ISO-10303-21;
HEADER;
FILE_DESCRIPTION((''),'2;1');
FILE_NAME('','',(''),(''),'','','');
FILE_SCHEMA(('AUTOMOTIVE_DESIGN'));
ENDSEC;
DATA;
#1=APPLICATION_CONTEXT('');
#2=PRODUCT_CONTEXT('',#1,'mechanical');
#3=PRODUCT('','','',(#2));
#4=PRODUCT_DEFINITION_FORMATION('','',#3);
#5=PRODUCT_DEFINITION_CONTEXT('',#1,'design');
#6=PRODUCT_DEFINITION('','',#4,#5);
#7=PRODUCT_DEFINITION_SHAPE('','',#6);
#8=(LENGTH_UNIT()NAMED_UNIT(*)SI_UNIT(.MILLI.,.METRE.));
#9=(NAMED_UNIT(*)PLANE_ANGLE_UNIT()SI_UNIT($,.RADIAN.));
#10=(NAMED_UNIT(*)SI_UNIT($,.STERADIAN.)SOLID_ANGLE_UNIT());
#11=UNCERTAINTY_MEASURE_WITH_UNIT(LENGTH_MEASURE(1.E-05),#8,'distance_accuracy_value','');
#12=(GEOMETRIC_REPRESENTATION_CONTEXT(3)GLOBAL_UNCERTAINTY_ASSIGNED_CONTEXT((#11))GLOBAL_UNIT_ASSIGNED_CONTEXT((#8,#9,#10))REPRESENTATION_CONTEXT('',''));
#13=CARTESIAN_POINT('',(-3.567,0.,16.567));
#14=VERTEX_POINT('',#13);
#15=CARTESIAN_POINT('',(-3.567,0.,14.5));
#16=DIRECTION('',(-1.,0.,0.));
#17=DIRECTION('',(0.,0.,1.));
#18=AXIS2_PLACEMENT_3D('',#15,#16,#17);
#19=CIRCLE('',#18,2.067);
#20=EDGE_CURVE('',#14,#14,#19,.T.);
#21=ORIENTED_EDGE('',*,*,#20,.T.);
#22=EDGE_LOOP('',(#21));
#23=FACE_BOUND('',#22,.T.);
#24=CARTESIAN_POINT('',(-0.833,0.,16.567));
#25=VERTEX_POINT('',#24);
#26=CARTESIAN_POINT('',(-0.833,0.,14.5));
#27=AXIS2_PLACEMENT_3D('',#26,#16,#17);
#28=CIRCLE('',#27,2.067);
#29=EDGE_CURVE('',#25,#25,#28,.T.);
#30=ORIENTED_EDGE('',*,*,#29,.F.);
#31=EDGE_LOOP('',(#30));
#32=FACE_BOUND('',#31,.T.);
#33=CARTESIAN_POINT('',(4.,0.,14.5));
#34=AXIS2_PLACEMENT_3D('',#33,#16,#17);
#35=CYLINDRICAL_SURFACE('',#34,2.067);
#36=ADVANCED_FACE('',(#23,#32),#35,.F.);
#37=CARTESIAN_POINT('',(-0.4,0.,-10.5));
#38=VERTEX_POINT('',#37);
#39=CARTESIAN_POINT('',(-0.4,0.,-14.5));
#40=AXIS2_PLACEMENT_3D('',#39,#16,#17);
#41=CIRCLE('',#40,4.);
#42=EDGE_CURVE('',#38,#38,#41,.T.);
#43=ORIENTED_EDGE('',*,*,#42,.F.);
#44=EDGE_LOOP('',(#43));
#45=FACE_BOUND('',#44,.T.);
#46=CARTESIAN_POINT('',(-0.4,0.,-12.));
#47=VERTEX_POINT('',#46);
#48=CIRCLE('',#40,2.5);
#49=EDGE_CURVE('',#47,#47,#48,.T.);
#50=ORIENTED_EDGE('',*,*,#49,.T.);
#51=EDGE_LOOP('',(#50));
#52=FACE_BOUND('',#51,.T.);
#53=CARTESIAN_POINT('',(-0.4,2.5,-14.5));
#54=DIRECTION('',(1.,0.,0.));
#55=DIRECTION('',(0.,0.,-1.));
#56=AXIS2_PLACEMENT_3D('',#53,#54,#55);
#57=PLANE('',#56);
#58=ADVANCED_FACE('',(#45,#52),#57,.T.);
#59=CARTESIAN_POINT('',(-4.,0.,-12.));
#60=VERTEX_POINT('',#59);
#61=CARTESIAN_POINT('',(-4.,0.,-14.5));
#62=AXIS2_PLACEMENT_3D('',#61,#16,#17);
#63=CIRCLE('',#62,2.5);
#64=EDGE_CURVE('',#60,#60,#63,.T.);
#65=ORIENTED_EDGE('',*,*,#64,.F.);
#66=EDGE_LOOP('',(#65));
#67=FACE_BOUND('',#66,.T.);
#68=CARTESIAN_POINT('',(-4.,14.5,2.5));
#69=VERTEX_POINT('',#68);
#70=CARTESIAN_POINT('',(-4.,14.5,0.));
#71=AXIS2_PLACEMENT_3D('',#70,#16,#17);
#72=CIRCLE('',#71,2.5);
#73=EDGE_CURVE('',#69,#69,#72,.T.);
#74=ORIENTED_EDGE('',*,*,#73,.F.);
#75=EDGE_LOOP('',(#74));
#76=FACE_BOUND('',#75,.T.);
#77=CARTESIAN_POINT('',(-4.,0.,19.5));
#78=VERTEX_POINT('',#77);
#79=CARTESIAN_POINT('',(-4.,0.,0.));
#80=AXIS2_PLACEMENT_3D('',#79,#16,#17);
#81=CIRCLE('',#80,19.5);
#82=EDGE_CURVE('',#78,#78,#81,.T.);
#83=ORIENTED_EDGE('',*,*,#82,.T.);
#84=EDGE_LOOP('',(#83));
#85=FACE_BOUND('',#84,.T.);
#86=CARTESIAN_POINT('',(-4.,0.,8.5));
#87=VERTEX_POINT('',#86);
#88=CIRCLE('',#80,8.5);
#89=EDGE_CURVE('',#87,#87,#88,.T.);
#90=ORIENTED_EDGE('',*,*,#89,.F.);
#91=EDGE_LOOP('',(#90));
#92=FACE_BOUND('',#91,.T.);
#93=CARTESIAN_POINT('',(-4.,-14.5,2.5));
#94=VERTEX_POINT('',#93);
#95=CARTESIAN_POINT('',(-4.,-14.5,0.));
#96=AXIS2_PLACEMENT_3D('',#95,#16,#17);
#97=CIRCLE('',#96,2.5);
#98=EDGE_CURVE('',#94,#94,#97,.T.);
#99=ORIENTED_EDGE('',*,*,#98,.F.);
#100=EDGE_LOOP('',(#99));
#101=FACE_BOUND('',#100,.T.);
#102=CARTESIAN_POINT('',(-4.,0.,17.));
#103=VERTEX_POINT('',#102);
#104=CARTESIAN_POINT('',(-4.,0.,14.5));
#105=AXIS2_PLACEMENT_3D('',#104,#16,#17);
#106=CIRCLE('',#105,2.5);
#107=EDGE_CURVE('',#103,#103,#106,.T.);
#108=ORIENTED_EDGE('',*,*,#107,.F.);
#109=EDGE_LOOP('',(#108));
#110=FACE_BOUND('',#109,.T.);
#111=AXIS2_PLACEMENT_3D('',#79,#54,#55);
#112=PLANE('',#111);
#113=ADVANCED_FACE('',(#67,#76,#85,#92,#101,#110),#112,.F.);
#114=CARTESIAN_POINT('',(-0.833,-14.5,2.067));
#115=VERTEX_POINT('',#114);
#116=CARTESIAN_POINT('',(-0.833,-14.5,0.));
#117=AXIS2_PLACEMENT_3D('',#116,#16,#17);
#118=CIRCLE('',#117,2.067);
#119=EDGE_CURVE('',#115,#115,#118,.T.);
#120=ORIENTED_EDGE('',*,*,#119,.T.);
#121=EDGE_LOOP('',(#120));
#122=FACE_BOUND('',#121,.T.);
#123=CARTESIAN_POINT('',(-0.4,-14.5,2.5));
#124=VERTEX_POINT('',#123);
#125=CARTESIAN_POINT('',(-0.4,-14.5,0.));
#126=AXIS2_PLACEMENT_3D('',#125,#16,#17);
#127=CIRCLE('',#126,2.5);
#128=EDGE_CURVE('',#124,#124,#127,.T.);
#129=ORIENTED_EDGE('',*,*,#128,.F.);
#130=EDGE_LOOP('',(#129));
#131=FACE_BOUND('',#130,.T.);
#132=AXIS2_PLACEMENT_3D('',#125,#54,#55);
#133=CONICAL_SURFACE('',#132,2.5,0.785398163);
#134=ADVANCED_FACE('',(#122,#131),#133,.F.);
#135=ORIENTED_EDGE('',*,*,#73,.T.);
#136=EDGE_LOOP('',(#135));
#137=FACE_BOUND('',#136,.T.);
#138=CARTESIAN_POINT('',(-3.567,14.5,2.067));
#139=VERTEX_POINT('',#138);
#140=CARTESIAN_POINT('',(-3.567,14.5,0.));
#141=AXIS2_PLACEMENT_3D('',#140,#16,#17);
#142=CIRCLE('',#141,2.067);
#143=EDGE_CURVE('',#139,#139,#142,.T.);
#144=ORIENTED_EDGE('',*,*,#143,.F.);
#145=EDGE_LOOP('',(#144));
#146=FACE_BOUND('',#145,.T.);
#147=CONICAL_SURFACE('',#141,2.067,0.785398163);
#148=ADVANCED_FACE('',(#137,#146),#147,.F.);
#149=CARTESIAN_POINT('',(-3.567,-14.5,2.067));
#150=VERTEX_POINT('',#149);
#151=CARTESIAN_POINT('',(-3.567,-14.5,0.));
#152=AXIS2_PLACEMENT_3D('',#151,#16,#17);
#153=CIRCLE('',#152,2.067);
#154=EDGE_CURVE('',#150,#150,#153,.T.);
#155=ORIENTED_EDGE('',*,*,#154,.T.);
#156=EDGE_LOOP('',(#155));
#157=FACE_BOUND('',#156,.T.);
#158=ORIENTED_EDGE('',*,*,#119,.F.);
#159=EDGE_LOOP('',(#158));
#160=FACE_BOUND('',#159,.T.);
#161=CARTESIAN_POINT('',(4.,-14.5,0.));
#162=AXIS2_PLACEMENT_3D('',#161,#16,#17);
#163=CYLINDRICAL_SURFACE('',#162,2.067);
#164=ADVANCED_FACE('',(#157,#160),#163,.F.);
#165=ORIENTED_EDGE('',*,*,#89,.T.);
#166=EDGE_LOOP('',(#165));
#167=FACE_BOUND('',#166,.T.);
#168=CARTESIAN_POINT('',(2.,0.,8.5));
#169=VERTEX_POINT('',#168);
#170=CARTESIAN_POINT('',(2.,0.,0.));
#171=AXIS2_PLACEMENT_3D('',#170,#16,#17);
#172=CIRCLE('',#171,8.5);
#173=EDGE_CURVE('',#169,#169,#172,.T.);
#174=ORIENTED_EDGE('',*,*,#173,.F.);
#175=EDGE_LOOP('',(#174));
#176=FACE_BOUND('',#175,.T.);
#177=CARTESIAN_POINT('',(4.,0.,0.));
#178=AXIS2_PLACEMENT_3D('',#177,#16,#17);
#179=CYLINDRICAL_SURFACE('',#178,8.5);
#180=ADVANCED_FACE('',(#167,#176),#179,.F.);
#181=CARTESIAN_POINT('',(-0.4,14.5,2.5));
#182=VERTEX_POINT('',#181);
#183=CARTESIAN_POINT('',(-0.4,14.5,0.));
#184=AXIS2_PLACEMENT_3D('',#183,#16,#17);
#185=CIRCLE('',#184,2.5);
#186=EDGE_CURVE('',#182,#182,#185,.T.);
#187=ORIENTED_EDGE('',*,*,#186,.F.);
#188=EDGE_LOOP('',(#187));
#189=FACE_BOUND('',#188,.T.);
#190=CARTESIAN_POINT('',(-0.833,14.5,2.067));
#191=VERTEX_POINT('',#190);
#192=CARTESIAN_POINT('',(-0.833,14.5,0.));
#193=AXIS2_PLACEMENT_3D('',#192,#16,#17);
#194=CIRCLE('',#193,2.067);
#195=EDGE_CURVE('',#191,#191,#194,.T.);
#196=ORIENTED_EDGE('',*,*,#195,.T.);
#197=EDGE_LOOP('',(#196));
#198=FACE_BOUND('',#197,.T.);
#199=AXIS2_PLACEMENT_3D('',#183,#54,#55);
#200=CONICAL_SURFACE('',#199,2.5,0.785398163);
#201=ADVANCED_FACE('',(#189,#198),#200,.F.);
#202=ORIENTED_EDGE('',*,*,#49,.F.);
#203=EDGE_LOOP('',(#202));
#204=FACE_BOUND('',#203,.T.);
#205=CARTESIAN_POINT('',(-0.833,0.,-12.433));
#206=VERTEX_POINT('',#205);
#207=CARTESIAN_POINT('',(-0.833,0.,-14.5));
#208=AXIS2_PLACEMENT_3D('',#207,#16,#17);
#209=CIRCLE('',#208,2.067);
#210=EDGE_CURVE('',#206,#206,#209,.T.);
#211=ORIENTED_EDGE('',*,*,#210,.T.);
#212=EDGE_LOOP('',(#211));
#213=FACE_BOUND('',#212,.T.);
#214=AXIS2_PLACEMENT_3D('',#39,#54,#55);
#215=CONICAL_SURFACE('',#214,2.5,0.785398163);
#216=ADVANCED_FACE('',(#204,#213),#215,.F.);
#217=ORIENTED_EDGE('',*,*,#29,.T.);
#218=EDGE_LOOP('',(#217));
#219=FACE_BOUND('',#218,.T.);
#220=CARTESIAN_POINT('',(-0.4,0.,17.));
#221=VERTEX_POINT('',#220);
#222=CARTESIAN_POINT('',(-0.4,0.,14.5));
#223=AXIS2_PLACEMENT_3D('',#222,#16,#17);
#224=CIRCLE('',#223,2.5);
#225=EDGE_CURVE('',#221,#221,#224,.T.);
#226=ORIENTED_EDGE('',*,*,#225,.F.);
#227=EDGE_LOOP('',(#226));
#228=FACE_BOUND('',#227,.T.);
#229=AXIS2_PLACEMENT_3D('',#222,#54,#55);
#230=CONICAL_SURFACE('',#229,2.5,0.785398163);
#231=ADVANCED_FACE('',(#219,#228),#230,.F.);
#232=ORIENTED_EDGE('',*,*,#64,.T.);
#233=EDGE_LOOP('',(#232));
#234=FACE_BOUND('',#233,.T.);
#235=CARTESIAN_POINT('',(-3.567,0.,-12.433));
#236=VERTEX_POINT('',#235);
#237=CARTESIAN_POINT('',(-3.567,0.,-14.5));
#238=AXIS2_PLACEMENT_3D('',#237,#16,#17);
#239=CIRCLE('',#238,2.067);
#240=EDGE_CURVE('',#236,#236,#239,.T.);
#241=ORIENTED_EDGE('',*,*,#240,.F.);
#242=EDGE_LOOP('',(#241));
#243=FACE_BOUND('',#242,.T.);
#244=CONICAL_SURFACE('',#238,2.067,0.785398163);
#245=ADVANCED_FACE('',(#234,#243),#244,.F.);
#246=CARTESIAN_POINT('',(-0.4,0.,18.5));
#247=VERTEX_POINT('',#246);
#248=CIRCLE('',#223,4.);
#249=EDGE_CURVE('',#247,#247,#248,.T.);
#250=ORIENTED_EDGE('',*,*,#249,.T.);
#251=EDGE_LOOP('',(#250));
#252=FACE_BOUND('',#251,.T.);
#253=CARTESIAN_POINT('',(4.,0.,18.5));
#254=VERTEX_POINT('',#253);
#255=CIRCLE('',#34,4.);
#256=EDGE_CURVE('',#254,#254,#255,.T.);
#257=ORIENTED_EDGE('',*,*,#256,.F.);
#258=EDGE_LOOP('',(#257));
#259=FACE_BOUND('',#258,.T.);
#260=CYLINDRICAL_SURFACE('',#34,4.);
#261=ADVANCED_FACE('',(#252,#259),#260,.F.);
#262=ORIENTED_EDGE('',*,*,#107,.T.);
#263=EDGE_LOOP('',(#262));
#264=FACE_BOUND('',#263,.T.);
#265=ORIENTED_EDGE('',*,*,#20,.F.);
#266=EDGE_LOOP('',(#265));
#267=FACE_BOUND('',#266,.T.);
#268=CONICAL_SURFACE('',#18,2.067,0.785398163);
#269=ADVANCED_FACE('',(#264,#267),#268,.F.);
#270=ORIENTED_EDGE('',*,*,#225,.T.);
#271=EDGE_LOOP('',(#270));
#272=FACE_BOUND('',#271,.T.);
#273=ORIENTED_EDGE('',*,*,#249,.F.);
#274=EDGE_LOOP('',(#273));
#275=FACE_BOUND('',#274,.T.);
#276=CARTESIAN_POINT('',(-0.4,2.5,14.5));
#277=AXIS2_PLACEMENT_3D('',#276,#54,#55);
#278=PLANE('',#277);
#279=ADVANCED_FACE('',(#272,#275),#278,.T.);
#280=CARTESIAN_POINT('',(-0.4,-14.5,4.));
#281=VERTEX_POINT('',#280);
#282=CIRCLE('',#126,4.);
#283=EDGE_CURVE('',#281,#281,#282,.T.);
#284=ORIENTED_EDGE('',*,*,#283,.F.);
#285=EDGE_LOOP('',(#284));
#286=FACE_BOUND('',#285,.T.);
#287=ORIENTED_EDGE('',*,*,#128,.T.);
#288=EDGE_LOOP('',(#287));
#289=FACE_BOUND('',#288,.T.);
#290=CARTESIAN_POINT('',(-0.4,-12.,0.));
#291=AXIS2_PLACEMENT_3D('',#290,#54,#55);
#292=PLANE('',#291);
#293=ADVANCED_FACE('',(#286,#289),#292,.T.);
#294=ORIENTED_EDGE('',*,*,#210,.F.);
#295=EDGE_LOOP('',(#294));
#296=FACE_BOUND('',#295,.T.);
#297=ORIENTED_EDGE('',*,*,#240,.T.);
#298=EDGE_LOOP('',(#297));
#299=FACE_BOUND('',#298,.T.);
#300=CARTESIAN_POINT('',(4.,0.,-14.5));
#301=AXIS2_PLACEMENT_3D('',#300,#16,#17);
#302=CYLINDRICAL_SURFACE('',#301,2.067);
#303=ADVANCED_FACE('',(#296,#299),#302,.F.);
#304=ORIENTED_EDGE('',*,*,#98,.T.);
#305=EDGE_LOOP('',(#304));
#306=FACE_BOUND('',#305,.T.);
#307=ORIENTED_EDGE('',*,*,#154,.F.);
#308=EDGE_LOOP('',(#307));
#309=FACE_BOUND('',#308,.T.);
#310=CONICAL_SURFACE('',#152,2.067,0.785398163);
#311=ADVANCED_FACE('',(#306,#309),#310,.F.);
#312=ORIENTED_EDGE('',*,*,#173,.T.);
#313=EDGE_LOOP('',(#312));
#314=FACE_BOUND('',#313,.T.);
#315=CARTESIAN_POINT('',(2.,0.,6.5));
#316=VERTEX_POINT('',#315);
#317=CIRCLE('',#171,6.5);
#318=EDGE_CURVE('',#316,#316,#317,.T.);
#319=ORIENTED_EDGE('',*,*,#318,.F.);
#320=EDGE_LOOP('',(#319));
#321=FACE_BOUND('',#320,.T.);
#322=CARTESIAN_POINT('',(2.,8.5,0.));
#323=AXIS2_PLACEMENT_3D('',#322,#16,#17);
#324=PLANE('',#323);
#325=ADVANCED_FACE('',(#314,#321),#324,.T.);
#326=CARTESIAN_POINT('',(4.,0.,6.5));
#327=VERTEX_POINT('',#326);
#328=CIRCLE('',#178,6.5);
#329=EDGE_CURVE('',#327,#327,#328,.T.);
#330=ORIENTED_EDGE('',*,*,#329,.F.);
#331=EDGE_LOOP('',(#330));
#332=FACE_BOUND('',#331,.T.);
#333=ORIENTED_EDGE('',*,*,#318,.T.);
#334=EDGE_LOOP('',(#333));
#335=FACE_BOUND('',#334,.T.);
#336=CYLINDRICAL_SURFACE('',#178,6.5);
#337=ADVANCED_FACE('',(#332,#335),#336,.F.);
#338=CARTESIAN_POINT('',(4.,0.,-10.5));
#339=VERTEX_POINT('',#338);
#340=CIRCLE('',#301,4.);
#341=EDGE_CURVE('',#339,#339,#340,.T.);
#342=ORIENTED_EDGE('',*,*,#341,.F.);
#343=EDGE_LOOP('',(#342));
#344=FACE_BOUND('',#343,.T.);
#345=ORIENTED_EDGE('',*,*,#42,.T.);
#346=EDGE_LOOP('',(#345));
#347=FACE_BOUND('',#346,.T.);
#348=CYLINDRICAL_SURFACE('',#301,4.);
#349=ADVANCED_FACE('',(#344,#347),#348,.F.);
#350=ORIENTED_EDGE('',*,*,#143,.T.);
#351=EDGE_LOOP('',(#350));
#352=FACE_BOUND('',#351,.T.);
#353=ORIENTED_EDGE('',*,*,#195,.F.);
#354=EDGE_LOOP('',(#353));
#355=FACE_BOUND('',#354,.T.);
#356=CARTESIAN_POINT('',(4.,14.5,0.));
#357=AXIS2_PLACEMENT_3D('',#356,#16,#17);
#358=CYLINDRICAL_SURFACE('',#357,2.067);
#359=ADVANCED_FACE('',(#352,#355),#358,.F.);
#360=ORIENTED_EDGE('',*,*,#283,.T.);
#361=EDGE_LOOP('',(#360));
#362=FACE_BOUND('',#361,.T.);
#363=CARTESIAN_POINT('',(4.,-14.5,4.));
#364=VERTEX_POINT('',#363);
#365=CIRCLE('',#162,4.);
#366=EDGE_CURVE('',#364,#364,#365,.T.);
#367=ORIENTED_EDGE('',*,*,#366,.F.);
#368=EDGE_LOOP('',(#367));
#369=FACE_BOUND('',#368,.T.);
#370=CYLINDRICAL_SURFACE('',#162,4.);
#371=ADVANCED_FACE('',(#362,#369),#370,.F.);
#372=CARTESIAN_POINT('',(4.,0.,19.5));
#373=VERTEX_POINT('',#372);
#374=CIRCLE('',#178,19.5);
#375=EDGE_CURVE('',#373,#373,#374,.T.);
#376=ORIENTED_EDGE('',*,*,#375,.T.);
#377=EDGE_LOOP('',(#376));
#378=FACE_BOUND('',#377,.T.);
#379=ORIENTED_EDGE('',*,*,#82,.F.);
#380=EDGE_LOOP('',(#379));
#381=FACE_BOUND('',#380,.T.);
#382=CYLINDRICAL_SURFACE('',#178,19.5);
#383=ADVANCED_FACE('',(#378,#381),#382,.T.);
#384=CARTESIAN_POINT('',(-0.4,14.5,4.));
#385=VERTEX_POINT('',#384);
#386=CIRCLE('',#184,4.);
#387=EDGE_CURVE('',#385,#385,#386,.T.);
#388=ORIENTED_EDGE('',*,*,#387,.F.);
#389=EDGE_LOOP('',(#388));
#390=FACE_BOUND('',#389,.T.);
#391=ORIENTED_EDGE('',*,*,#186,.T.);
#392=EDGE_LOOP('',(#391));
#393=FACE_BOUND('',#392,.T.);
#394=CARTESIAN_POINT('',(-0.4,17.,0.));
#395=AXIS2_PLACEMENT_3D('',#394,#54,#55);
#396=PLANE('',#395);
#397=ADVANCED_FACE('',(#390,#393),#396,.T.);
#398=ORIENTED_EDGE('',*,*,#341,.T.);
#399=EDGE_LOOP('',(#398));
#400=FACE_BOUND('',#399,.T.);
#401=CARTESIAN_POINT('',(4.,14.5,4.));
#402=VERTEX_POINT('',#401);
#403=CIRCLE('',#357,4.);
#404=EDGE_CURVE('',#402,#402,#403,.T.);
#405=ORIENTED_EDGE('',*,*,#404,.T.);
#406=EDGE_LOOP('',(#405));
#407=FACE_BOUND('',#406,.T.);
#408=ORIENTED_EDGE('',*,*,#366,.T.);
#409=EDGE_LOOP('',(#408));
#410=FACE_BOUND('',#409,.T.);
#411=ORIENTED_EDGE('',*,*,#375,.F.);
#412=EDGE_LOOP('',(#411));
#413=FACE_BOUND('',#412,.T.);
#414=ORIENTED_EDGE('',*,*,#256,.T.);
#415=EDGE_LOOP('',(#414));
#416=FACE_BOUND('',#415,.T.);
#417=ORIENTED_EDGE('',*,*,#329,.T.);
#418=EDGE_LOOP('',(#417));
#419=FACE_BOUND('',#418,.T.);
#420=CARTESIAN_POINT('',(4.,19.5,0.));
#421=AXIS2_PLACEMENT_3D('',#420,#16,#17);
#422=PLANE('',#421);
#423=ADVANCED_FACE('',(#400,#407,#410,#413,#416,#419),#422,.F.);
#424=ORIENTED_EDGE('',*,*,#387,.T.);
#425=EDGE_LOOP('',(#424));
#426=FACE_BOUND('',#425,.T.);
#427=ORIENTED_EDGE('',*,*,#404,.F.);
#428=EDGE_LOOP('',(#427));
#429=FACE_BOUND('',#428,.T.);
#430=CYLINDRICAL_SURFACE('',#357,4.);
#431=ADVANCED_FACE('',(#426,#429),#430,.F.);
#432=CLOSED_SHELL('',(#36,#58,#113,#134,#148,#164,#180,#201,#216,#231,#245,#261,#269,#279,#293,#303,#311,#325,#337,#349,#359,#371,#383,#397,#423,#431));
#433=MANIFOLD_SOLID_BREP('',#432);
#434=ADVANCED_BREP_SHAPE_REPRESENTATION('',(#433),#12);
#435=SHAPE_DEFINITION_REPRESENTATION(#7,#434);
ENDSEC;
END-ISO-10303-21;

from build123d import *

# Parameters (mm, degrees)
SKETCH_1_W = 8
SKETCH_1_H = 19.5


with BuildPart() as part:
    # ｽｹｯﾁ1 → 回転1 (revolve)
    with BuildSketch(Plane.XY, mode=Mode.PRIVATE) as revolve_1_sk:
        with Locations((0, 9.75)):
            Rectangle(SKETCH_1_W, SKETCH_1_H)
    revolve(revolve_1_sk.sketch.rotate(Axis((4, 0, 0), (-1, 0, 0)), 270), axis=Axis((4, 0, 0), (-1, 0, 0)))

    # ｽｹｯﾁ2 → ｶｯﾄ - 回転1 (revolve, cut)
    with BuildSketch(Plane.XY, mode=Mode.PRIVATE) as cut_revolve_1_sk:
        Polygon((-4, 0), (-4, 8.5), (2, 8.5), (2, 6.5), (4, 6.5), (4, 0), align=None)
    revolve(cut_revolve_1_sk.sketch.rotate(Axis((4, 0, 0), (-1, 0, 0)), 270), axis=Axis((4, 0, 0), (-1, 0, 0)), mode=Mode.SUBTRACT)

    # ｽｹｯﾁ3 → ｶｯﾄ - 回転2 (revolve, cut)
    with BuildSketch(Plane.XY, mode=Mode.PRIVATE) as cut_revolve_2_sk:
        Polygon((-4, 14.5), (-4, 17), (-3.567, 16.567), (-0.833, 16.567), (-0.4, 17), (-0.4, 18.5), (4, 18.5), (4, 14.5), align=None)
    revolve(cut_revolve_2_sk.sketch.rotate(Axis((4, 14.5, 0), (-1, 0, 0)), 270), axis=Axis((4, 14.5, 0), (-1, 0, 0)), mode=Mode.SUBTRACT)

    # ｽｹｯﾁ4 → ｶｯﾄ - 回転3 (revolve, cut)
    with BuildSketch(Plane.XY.offset(14.5), mode=Mode.PRIVATE) as cut_revolve_3_sk:
        Polygon((-4, 0), (-4, 2.5), (-3.567, 2.067), (-0.833, 2.067), (-0.4, 2.5), (-0.4, 4), (4, 4), (4, 0), align=None)
    revolve(cut_revolve_3_sk.sketch.rotate(Axis((4, 0, 14.5), (-1, 0, 0)), 270), axis=Axis((4, 0, 14.5), (-1, 0, 0)), mode=Mode.SUBTRACT)

    # ｽｹｯﾁ5 → ｶｯﾄ - 回転4 (revolve, cut)
    with BuildSketch(Plane.XY, mode=Mode.PRIVATE) as cut_revolve_4_sk:
        Polygon((-4, -14.5), (-4, -12), (-3.567, -12.433), (-0.833, -12.433), (-0.4, -12), (-0.4, -10.5), (4, -10.5), (4, -14.5), align=None)
    revolve(cut_revolve_4_sk.sketch.rotate(Axis((4, -14.5, 0), (-1, 0, 0)), 270), axis=Axis((4, -14.5, 0), (-1, 0, 0)), mode=Mode.SUBTRACT)

    # ｽｹｯﾁ6 → ｶｯﾄ - 回転5 (revolve, cut)
    with BuildSketch(Plane.XY.offset(-14.5), mode=Mode.PRIVATE) as cut_revolve_5_sk:
        Polygon((-4, 0), (-4, 2.5), (-3.567, 2.067), (-0.833, 2.067), (-0.4, 2.5), (-0.4, 4), (4, 4), (4, 0), align=None)
    revolve(cut_revolve_5_sk.sketch.rotate(Axis((4, 0, -14.5), (-1, 0, 0)), 270), axis=Axis((4, 0, -14.5), (-1, 0, 0)), mode=Mode.SUBTRACT)


solid = part.part
